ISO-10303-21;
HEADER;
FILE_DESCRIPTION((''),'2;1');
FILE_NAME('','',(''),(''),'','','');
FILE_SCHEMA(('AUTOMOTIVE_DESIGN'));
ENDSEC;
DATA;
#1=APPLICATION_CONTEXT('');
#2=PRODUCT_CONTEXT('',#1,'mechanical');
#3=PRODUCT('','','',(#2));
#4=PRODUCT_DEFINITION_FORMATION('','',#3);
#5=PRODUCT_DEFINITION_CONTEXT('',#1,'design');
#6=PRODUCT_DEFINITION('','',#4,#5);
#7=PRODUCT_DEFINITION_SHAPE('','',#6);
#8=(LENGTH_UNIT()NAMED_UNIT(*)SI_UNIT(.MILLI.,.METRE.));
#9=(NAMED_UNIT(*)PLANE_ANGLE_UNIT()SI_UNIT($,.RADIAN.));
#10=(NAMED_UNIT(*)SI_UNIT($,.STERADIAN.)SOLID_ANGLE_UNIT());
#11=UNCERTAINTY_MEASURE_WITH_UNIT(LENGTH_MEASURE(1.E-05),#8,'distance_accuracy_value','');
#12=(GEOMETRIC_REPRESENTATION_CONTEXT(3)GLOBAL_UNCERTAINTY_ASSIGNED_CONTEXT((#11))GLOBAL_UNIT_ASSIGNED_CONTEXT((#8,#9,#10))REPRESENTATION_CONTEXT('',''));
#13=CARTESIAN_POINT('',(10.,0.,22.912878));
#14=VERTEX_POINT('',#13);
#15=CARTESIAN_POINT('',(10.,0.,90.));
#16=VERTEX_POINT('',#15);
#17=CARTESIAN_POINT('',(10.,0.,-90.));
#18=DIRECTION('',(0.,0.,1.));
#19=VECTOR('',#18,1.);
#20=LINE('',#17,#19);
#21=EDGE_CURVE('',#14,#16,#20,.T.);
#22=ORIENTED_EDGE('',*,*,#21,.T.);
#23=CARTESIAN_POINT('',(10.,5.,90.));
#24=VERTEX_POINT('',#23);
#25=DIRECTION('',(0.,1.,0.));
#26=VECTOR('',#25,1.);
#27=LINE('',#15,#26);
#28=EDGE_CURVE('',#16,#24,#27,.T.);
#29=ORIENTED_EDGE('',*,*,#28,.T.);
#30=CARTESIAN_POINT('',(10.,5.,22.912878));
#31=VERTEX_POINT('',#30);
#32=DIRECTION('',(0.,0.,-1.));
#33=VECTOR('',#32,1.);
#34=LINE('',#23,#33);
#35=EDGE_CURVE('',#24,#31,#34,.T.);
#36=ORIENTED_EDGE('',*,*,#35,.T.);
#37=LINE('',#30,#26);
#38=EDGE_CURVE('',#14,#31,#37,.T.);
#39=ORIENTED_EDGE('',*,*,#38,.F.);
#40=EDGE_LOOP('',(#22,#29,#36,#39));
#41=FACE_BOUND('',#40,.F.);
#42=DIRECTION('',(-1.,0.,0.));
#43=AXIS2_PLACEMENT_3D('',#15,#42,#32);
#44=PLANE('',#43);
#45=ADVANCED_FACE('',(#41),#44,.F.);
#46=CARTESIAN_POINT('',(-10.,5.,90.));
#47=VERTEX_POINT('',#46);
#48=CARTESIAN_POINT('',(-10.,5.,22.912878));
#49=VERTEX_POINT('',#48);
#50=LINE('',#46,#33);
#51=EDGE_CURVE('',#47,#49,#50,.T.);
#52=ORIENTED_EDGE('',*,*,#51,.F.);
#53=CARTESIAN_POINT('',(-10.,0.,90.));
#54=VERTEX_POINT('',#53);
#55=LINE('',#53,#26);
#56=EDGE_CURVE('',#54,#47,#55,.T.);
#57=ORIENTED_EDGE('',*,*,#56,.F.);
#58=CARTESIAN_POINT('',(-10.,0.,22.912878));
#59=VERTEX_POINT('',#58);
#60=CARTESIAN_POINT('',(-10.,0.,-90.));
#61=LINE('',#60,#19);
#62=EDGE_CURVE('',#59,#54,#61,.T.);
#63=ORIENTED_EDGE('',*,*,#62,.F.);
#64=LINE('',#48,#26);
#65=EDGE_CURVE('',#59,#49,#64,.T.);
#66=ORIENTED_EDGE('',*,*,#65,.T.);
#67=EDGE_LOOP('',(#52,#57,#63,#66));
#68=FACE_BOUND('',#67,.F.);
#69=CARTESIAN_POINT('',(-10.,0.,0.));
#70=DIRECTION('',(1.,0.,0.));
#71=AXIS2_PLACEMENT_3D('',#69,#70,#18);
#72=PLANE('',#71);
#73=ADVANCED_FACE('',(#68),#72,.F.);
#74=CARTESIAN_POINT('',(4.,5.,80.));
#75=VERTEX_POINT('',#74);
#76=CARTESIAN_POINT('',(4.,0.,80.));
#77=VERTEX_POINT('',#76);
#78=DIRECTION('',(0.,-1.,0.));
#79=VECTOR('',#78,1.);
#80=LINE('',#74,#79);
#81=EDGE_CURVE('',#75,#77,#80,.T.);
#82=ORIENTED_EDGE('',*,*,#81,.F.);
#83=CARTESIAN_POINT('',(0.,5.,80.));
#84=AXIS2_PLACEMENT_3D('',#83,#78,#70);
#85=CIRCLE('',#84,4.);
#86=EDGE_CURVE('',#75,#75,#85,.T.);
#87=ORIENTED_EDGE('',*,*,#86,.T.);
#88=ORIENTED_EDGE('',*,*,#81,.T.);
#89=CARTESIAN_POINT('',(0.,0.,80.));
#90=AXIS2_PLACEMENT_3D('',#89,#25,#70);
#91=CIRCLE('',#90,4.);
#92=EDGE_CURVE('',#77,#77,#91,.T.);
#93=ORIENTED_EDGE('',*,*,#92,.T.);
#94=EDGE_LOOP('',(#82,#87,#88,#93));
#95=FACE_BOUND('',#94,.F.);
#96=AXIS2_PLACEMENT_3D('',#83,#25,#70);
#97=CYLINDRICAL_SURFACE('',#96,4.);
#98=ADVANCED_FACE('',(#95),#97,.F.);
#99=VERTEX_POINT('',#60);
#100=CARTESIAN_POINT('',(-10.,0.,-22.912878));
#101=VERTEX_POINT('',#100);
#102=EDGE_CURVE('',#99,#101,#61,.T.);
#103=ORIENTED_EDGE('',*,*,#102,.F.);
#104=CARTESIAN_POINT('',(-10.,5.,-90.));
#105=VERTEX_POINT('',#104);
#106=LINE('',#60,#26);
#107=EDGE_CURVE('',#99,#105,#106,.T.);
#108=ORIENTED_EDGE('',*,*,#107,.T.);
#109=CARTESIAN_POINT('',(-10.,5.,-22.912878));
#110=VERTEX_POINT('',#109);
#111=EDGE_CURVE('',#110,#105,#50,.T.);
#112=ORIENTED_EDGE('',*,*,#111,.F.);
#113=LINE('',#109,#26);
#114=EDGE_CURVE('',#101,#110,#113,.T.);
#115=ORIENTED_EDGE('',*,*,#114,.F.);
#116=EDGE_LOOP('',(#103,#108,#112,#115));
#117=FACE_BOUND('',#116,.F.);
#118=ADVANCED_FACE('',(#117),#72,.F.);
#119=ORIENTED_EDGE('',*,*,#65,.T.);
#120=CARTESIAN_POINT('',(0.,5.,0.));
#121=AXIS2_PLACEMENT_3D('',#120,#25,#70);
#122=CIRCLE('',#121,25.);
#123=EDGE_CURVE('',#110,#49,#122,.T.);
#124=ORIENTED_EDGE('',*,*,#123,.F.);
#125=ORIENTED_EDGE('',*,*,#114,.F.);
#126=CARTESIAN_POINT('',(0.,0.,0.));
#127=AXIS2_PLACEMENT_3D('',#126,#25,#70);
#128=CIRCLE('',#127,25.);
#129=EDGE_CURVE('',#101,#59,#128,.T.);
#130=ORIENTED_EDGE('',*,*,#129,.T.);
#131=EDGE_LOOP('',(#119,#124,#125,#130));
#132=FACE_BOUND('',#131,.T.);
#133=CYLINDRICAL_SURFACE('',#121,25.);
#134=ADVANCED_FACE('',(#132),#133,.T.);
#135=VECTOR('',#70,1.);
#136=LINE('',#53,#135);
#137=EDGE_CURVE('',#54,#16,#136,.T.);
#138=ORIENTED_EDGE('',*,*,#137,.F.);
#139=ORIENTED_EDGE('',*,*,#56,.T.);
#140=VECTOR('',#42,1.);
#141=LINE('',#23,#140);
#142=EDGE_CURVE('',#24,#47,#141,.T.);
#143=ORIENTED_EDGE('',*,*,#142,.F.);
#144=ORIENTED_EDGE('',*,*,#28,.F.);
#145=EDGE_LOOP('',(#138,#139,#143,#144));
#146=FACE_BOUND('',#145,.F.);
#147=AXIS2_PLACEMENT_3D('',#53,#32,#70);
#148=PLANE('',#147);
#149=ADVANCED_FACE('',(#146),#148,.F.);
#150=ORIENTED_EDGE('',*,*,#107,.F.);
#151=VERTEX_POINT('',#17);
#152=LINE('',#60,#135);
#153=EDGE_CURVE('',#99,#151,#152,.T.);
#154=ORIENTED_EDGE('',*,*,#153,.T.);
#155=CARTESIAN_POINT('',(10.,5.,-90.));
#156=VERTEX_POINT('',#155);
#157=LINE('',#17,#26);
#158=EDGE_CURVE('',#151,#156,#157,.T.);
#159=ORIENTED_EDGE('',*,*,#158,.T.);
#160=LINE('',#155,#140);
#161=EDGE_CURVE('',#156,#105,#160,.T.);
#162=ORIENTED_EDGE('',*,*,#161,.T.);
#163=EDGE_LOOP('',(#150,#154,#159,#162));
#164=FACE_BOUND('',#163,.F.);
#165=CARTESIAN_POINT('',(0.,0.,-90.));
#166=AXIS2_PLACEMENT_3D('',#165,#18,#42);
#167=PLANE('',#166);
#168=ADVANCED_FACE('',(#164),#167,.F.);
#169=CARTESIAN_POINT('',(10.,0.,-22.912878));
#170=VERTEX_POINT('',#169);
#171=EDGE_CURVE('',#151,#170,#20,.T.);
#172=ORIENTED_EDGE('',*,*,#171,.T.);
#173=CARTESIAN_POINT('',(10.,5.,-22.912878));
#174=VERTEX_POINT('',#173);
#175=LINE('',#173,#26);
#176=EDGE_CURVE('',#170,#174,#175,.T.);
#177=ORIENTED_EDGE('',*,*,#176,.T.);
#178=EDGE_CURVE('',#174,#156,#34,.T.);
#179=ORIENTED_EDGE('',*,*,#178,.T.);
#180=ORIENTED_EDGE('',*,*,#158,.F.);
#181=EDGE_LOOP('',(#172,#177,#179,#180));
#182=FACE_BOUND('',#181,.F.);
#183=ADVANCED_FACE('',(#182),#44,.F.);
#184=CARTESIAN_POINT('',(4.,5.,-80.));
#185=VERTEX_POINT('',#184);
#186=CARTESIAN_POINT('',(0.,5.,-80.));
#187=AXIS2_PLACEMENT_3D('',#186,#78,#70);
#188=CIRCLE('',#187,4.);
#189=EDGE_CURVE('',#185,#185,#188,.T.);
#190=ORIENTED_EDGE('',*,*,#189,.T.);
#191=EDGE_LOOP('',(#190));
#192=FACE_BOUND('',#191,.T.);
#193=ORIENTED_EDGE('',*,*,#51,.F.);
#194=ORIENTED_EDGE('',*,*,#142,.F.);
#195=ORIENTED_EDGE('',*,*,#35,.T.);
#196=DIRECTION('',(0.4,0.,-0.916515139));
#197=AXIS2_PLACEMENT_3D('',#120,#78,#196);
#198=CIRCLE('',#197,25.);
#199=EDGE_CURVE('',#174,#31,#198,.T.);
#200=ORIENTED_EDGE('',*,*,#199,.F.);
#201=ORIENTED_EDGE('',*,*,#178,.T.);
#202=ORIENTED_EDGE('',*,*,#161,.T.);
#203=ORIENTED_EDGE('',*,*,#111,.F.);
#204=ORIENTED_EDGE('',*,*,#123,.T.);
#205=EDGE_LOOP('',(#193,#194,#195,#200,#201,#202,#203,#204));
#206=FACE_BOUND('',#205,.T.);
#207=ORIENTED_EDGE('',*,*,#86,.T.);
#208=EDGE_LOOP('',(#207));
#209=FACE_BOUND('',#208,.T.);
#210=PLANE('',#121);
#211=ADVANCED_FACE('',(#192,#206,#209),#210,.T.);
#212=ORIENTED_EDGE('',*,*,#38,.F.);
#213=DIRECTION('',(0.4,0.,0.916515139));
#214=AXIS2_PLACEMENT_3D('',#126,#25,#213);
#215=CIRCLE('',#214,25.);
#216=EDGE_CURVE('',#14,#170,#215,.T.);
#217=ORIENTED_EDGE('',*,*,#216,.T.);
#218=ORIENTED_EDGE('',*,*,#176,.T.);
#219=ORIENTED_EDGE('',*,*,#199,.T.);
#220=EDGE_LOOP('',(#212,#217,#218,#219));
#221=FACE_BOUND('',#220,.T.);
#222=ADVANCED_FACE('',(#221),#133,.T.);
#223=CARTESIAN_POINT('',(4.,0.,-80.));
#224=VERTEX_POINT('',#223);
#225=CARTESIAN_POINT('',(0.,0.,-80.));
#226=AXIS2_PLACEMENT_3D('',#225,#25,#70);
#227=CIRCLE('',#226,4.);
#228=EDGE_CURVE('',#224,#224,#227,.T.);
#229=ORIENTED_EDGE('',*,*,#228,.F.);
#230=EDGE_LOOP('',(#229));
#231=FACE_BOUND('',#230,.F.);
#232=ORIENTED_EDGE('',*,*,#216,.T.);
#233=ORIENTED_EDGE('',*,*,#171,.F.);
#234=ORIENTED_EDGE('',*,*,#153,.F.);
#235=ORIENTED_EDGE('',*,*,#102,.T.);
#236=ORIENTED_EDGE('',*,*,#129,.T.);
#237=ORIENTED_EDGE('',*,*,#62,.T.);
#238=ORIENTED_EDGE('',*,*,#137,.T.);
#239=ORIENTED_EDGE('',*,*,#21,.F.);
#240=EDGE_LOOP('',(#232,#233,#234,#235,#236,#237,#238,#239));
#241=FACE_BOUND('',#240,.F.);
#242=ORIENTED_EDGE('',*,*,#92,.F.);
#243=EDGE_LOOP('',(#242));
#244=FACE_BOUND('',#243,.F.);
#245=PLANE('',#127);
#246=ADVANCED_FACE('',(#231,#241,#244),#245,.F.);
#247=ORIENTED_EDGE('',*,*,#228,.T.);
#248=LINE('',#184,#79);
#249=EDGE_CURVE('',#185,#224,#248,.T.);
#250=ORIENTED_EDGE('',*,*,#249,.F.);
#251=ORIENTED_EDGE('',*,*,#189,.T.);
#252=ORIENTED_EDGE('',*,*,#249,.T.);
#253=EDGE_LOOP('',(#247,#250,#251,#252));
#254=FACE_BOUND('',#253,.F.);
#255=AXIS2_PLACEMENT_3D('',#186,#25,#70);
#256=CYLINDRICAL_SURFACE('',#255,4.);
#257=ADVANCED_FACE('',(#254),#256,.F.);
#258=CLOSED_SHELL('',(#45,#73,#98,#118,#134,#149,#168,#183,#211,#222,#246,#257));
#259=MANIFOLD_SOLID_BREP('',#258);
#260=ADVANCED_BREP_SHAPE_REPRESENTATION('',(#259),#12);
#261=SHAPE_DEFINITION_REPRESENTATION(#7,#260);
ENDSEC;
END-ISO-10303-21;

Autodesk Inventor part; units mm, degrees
ref_plane "YZ Plane" through (0, 0, 0) normal (1, 0, 0) x (0, 1, 0)
ref_plane "XZ Plane" through (0, 0, 0) normal (0, 1, 0) x (-1, 0, 0)
ref_plane "XY Plane" through (0, 0, 0) normal (0, 0, 1) x (1, 0, 0)
sketch "Boceto1" plane through (0, 0, 0) normal (0, 1, 0) x (-1, 0, 0)
  line L0 (10, 90) -> (-10, 90)
  line L1 (-10, 90) -> (-10, -90)
  line L2 (-10, -90) -> (10, -90)
  line L3 (10, -90) -> (10, 90)
  line L4 (14, 0) -> (-14, 0) projected
  line L5 (0, -126) -> (0, 126) projected
  point P0 (0, 0)
  point P1 (10, 0)
  point P2 (0, 90)
  dimension "d0" = 20
  dimension "d1" = 180
extrude "Extrusión1" add sketch "Boceto1" along normal blind 5
sketch "Boceto2" plane through (0, 5, 0) normal (0, 1, 0) x (1, 0, 0)
  line L0 (10, 90) -> (-10, 90) projected
  line L1 (-10, 90) -> (-10, -90) projected
  line L2 (-10, -90) -> (10, -90) projected
  line L3 (10, -90) -> (10, 90) projected
  circle A0 centre (0, -80) radius 4
  circle A1 centre (0, 80) radius 4
  line L4 (0, 126) -> (0, -126) projected
  point P0 (0, 0)
  dimension "d4" = 8
  dimension "d5" = 8
  dimension "d6" = 10
  dimension "d7" = 10
extrude "Extrusión2" cut sketch "Boceto2" against normal blind 5 contours L4 A1 | A1 L4 | L4 A0 | A0 L4
sketch "Boceto3" plane through (0, 5, 0) normal (0, 1, 0) x (1, 0, 0)
  circle A0 centre (0, 0) radius 25
  dimension "d10" = 50
extrude "Extrusión3" add sketch "Boceto3" against normal blind 5
equation "\"d5\" = d4"
properties part number "PlacaRetencion"
